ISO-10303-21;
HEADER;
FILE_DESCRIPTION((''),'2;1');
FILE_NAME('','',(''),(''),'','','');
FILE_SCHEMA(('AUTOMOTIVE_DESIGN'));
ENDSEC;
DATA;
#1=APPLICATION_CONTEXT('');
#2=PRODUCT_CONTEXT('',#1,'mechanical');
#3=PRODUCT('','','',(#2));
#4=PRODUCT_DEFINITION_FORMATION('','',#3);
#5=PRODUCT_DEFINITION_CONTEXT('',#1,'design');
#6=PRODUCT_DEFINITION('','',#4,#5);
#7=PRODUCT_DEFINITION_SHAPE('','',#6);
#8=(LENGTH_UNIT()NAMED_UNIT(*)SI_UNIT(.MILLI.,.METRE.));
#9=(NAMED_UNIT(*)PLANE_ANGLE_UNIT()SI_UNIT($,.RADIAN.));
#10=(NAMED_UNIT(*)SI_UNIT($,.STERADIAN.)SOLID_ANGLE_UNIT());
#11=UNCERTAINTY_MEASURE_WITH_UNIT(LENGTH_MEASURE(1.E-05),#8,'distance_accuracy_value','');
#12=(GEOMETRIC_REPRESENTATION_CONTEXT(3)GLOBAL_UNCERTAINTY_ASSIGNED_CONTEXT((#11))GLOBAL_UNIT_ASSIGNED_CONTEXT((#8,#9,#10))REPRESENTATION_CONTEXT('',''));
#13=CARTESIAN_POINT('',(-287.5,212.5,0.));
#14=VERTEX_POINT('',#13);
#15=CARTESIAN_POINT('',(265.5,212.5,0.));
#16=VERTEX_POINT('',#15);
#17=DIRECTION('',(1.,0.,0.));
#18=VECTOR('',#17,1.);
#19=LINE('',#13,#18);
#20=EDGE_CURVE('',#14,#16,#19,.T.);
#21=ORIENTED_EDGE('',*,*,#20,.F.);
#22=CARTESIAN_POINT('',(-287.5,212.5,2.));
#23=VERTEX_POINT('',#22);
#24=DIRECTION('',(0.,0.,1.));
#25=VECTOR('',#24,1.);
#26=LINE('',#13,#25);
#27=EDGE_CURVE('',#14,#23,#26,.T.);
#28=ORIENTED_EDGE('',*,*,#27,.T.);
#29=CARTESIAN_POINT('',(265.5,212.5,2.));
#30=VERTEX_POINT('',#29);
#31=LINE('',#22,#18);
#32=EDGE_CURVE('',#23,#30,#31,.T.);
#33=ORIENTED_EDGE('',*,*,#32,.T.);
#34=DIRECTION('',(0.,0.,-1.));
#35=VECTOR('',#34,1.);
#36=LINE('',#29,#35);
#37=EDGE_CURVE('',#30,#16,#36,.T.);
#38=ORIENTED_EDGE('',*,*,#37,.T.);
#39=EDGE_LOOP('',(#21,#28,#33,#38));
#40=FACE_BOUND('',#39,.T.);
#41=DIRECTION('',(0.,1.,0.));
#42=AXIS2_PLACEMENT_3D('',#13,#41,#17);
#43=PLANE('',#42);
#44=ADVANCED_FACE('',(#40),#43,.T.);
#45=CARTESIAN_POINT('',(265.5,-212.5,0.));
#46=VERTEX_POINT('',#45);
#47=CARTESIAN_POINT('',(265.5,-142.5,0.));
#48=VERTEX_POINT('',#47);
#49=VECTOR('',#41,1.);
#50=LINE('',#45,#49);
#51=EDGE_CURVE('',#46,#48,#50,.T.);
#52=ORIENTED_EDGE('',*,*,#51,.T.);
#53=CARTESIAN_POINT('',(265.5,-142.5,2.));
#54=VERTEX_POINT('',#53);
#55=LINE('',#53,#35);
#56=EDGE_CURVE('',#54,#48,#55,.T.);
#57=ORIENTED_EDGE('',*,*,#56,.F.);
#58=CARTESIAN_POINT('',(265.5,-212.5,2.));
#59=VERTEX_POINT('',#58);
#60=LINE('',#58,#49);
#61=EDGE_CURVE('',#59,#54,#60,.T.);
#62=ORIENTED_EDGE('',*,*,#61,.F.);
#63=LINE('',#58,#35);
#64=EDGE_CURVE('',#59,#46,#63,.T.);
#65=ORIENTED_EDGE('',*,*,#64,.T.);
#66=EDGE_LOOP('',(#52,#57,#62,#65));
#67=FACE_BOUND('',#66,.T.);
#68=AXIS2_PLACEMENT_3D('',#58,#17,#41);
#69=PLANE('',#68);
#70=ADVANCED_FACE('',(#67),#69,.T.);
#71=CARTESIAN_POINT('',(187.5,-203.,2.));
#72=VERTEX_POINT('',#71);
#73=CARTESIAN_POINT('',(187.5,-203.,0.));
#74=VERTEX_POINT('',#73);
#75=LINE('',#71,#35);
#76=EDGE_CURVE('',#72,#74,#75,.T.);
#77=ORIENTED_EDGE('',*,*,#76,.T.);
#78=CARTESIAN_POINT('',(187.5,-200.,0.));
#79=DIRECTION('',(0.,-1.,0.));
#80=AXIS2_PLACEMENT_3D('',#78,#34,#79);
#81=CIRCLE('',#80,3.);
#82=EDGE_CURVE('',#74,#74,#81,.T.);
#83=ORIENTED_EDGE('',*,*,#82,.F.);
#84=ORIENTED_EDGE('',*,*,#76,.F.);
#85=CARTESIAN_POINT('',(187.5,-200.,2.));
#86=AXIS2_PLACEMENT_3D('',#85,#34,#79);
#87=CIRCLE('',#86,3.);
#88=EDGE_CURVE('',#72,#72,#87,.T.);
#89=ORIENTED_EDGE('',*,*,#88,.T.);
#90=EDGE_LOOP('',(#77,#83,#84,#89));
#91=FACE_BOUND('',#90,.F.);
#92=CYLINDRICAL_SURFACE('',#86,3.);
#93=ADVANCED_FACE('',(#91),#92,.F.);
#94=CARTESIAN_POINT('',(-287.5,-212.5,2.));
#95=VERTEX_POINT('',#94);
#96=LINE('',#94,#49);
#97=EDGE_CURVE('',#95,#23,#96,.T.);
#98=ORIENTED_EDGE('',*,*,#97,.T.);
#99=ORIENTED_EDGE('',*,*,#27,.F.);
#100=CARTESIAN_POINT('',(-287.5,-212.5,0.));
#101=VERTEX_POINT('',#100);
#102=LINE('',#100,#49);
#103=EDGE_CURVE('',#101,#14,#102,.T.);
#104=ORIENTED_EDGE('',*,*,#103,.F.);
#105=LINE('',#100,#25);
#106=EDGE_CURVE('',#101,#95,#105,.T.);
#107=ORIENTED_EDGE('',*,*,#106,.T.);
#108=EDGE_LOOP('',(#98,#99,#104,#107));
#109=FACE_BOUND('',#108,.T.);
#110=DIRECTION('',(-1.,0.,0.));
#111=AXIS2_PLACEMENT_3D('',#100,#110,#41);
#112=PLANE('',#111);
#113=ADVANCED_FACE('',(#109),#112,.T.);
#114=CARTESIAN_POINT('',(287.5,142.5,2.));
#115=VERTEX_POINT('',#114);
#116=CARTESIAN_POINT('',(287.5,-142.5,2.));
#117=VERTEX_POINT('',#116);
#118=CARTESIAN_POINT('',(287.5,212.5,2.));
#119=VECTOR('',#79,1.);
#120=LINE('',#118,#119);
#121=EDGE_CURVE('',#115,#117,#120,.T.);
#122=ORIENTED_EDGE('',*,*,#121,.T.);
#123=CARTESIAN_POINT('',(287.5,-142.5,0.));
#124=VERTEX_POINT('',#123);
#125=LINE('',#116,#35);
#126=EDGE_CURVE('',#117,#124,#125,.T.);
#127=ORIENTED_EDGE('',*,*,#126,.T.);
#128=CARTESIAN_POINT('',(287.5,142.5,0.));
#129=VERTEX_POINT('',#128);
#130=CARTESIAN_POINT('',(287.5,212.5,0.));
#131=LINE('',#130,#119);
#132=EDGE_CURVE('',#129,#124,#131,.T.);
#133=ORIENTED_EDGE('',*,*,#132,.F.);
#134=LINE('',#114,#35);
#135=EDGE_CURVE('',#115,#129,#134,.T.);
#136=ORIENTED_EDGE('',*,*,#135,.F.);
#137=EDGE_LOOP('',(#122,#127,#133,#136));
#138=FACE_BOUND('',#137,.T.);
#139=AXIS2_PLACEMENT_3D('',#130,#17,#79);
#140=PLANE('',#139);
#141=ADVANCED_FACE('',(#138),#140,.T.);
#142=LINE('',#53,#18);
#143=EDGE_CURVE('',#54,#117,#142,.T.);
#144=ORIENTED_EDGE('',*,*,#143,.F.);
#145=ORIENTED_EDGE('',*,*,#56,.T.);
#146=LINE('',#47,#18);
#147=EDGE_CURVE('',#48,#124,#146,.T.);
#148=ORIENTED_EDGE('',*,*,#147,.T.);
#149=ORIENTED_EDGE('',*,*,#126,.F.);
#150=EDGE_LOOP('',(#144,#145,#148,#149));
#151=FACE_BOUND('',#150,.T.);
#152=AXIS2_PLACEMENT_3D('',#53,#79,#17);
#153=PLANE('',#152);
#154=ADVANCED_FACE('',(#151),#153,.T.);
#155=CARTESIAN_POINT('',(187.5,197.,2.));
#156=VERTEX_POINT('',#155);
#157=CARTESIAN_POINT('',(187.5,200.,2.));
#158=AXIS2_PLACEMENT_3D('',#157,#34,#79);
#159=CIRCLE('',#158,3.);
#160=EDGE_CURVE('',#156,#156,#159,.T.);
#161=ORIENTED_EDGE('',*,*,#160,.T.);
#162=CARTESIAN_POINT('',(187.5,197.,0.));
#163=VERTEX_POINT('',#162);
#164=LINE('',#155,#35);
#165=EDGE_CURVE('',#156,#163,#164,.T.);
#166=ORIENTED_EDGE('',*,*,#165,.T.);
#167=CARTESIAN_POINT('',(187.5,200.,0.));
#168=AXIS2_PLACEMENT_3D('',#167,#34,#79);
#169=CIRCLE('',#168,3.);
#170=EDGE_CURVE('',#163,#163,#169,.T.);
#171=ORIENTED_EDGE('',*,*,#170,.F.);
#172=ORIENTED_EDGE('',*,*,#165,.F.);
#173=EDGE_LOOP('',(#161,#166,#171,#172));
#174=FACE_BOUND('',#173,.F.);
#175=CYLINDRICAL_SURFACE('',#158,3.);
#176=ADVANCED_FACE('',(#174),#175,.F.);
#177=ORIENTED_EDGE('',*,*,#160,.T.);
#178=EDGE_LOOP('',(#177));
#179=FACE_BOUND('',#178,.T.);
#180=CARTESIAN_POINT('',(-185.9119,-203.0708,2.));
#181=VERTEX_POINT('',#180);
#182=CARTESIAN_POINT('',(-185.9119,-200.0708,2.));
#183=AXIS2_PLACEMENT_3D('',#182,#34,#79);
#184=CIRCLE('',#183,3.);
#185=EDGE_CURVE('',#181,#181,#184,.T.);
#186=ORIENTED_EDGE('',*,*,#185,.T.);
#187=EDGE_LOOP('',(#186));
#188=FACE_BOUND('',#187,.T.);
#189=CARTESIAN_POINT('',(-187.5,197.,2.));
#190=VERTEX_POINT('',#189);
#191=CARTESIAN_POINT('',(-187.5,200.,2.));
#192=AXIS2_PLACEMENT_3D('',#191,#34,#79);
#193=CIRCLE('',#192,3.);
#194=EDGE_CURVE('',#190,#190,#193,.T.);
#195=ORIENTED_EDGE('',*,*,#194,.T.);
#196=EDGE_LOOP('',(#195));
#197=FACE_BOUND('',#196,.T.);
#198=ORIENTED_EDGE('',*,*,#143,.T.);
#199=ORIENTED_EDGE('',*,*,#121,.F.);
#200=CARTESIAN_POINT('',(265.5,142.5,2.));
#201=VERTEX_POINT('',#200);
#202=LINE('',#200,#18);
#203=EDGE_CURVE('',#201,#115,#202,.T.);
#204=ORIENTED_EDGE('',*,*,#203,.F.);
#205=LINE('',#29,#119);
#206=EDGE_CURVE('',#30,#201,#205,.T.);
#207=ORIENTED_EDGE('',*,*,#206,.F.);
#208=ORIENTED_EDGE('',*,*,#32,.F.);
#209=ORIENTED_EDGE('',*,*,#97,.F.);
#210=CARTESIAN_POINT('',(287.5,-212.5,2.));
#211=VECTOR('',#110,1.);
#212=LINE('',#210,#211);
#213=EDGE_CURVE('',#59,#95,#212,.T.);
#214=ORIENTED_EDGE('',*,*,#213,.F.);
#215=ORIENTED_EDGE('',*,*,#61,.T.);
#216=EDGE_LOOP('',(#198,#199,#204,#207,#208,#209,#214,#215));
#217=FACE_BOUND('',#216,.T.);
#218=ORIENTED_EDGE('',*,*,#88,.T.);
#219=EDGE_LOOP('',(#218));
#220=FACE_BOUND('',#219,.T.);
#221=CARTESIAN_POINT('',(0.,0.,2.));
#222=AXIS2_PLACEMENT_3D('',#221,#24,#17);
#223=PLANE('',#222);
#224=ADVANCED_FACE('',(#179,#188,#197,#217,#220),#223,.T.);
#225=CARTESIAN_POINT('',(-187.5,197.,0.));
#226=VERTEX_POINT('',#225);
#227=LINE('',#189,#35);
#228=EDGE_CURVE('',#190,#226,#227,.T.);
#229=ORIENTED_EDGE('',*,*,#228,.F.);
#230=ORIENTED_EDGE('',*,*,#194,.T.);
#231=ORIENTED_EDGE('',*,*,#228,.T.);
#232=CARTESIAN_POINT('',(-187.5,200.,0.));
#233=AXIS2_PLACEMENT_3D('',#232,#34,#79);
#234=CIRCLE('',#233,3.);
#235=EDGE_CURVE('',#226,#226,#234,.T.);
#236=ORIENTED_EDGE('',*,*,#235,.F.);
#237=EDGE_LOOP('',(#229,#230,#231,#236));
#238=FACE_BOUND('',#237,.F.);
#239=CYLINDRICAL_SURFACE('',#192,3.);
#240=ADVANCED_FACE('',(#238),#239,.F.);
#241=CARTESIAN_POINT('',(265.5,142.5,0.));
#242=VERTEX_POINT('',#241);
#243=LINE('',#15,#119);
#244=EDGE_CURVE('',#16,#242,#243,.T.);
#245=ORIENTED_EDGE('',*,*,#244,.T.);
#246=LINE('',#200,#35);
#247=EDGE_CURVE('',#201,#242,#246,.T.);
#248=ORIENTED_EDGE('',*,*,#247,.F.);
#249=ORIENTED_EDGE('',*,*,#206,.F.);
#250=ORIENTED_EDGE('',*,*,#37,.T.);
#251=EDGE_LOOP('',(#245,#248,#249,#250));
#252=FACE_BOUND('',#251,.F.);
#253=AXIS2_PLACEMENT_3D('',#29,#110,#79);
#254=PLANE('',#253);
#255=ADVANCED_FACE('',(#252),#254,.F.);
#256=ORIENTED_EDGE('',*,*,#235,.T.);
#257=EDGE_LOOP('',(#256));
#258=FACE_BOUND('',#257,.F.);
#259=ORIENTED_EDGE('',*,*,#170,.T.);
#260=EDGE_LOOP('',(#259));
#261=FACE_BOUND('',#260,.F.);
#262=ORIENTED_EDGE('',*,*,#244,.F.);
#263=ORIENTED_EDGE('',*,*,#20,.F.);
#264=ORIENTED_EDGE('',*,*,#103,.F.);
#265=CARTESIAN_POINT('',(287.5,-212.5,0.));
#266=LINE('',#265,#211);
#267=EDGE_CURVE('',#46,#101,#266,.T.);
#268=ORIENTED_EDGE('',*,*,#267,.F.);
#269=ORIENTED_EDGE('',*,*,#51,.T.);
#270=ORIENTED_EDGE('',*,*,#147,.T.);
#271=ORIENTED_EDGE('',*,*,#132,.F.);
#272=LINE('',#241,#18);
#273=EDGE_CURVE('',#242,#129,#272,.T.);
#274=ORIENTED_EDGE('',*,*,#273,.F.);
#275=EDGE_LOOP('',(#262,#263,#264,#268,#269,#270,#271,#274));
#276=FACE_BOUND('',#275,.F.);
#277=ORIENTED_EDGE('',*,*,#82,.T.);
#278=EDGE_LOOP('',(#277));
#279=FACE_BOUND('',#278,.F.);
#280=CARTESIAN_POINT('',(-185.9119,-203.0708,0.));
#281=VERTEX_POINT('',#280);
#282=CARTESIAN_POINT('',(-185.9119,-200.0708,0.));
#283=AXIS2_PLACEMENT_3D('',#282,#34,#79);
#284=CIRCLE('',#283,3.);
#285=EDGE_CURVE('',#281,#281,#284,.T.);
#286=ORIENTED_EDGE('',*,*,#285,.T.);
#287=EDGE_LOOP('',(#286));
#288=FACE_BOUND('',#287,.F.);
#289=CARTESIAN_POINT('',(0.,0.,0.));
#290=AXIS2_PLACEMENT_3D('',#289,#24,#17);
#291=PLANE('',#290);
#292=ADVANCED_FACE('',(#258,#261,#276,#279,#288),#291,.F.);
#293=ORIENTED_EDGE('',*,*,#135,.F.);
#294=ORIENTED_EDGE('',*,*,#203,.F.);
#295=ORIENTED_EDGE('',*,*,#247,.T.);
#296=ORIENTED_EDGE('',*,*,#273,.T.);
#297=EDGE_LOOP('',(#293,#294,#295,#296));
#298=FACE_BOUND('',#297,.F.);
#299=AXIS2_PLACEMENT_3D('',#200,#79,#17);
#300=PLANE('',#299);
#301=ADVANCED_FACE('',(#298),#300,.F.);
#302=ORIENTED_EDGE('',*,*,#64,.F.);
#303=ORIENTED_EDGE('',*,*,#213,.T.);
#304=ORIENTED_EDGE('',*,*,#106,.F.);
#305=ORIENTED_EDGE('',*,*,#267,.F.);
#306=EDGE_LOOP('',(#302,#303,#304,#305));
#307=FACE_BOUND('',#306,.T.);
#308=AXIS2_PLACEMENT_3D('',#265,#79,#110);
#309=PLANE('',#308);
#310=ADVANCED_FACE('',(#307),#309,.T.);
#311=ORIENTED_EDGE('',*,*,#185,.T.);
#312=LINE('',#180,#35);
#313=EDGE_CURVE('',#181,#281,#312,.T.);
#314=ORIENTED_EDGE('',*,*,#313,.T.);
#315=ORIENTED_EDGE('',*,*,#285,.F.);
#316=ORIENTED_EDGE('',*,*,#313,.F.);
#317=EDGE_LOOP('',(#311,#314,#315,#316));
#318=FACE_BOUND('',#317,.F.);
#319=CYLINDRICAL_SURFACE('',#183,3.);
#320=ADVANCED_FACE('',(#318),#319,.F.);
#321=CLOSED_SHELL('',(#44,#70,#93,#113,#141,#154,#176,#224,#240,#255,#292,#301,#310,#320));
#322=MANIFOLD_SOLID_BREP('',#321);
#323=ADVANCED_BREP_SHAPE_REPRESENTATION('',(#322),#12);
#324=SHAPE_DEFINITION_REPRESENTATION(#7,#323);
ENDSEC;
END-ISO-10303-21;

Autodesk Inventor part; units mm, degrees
ref_plane "YZ Plane" through (0, 0, 0) normal (1, 0, 0) x (0, 1, 0)
ref_plane "XZ Plane" through (0, 0, 0) normal (0, 1, 0) x (-1, 0, 0)
ref_plane "XY Plane" through (0, 0, 0) normal (0, 0, 1) x (1, 0, 0)
sketch "Sketch2" plane through (0, 0, 0) normal (0, 0, 1) x (1, 0, 0)
  line L0 (0, 297.5) -> (0, -297.5) construction
  line L1 (-402.5, 0) -> (402.5, 0) construction
  line L2 (-287.5, 212.5) -> (287.5, 212.5)
  line L3 (287.5, 212.5) -> (287.5, -212.5)
  line L4 (287.5, -212.5) -> (-287.5, -212.5)
  line L5 (-287.5, -212.5) -> (-287.5, 212.5)
  point P0 (0, 0)
  dimension "d0" = 425
  dimension "d1" = 575
extrude "Extrusion1" add sketch "Sketch2" along normal blind 2
sketch "Sketch3" plane through (0, 0, 2) normal (0, 0, 1) x (1, 0, 0)
  line L0 (287.5, 212.5) -> (-287.5, 212.5) construction
  line L1 (-287.5, 212.5) -> (-287.5, -212.5) construction
  line L2 (-287.5, -212.5) -> (287.5, -212.5) construction
  line L3 (287.5, -212.5) -> (287.5, 212.5) construction
  line L4 (287.5, 212.5) -> (-287.5, 212.5) projected
  line L5 (287.5, 212.5) -> (265.5, 212.5)
  line L6 (265.5, 212.5) -> (265.5, 142.5)
  line L7 (265.5, 142.5) -> (287.5, 142.5)
  line L8 (287.5, 142.5) -> (287.5, 212.5)
  line L9 (287.5, -212.5) -> (265.5, -212.5)
  line L10 (265.5, -212.5) -> (265.5, -142.5)
  line L11 (265.5, -142.5) -> (287.5, -142.5)
  line L12 (287.5, -142.5) -> (287.5, -212.5)
  point P0 (0, 0)
  dimension "d4" = 22
  dimension "d5" = 70
  dimension "d6" = 70
extrude "Extrusion2" cut sketch "Sketch3" against normal blind 2
sketch "Sketch4" plane through (0, 0, 2) normal (0, 0, 1) x (1, 0, 0)
  line L0 (265.5, 142.5) -> (265.5, 212.5) construction
  line L1 (265.5, 212.5) -> (-287.5, 212.5) construction
  line L2 (-287.5, 212.5) -> (-287.5, -212.5) construction
  line L3 (-287.5, -212.5) -> (265.5, -212.5) construction
  line L4 (265.5, -212.5) -> (265.5, -142.5) construction
  line L5 (265.5, -142.5) -> (287.5, -142.5) construction
  line L6 (287.5, -142.5) -> (287.5, 142.5) construction
  line L7 (287.5, 142.5) -> (265.5, 142.5) construction
  line L8 (265.5, 142.5) -> (265.5, 212.5) construction
  line L9 (265.5, 200) -> (-287.5, 200) construction
  line L10 (-287.5, 212.5) -> (265.5, 212.5) construction
  line L11 (-268.0097, 212.5) -> (-268.0097, -212.5) construction
  line L12 (-287.5, -212.5) -> (265.5, -212.5) construction
  line L13 (-287.5, -200) -> (265.5, -200) construction
  point P0 (0, 0)
  point P1 (187.5, 200)
  point P2 (-187.5, 200)
  point P3 (-187.5, -200)
  point P4 (187.5, -200)
  point P5 (-185.9119, -200.0708)
  dimension "d9" = 12.5
  dimension "d10" = 12.5
  dimension "d11" = 100
  dimension "d12" = 100
  dimension "d13" = 100
  dimension "d14" = 100
hole "Hole1" at (-187.5, 200, 2) at (187.5, 200, 2) at (187.5, -200, 2) at (-185.9119, -200.0708, 2) direction (0, 0, -1) diameter 6 depth 10 tip angle 118
properties part number "Top_Cover_V1"
